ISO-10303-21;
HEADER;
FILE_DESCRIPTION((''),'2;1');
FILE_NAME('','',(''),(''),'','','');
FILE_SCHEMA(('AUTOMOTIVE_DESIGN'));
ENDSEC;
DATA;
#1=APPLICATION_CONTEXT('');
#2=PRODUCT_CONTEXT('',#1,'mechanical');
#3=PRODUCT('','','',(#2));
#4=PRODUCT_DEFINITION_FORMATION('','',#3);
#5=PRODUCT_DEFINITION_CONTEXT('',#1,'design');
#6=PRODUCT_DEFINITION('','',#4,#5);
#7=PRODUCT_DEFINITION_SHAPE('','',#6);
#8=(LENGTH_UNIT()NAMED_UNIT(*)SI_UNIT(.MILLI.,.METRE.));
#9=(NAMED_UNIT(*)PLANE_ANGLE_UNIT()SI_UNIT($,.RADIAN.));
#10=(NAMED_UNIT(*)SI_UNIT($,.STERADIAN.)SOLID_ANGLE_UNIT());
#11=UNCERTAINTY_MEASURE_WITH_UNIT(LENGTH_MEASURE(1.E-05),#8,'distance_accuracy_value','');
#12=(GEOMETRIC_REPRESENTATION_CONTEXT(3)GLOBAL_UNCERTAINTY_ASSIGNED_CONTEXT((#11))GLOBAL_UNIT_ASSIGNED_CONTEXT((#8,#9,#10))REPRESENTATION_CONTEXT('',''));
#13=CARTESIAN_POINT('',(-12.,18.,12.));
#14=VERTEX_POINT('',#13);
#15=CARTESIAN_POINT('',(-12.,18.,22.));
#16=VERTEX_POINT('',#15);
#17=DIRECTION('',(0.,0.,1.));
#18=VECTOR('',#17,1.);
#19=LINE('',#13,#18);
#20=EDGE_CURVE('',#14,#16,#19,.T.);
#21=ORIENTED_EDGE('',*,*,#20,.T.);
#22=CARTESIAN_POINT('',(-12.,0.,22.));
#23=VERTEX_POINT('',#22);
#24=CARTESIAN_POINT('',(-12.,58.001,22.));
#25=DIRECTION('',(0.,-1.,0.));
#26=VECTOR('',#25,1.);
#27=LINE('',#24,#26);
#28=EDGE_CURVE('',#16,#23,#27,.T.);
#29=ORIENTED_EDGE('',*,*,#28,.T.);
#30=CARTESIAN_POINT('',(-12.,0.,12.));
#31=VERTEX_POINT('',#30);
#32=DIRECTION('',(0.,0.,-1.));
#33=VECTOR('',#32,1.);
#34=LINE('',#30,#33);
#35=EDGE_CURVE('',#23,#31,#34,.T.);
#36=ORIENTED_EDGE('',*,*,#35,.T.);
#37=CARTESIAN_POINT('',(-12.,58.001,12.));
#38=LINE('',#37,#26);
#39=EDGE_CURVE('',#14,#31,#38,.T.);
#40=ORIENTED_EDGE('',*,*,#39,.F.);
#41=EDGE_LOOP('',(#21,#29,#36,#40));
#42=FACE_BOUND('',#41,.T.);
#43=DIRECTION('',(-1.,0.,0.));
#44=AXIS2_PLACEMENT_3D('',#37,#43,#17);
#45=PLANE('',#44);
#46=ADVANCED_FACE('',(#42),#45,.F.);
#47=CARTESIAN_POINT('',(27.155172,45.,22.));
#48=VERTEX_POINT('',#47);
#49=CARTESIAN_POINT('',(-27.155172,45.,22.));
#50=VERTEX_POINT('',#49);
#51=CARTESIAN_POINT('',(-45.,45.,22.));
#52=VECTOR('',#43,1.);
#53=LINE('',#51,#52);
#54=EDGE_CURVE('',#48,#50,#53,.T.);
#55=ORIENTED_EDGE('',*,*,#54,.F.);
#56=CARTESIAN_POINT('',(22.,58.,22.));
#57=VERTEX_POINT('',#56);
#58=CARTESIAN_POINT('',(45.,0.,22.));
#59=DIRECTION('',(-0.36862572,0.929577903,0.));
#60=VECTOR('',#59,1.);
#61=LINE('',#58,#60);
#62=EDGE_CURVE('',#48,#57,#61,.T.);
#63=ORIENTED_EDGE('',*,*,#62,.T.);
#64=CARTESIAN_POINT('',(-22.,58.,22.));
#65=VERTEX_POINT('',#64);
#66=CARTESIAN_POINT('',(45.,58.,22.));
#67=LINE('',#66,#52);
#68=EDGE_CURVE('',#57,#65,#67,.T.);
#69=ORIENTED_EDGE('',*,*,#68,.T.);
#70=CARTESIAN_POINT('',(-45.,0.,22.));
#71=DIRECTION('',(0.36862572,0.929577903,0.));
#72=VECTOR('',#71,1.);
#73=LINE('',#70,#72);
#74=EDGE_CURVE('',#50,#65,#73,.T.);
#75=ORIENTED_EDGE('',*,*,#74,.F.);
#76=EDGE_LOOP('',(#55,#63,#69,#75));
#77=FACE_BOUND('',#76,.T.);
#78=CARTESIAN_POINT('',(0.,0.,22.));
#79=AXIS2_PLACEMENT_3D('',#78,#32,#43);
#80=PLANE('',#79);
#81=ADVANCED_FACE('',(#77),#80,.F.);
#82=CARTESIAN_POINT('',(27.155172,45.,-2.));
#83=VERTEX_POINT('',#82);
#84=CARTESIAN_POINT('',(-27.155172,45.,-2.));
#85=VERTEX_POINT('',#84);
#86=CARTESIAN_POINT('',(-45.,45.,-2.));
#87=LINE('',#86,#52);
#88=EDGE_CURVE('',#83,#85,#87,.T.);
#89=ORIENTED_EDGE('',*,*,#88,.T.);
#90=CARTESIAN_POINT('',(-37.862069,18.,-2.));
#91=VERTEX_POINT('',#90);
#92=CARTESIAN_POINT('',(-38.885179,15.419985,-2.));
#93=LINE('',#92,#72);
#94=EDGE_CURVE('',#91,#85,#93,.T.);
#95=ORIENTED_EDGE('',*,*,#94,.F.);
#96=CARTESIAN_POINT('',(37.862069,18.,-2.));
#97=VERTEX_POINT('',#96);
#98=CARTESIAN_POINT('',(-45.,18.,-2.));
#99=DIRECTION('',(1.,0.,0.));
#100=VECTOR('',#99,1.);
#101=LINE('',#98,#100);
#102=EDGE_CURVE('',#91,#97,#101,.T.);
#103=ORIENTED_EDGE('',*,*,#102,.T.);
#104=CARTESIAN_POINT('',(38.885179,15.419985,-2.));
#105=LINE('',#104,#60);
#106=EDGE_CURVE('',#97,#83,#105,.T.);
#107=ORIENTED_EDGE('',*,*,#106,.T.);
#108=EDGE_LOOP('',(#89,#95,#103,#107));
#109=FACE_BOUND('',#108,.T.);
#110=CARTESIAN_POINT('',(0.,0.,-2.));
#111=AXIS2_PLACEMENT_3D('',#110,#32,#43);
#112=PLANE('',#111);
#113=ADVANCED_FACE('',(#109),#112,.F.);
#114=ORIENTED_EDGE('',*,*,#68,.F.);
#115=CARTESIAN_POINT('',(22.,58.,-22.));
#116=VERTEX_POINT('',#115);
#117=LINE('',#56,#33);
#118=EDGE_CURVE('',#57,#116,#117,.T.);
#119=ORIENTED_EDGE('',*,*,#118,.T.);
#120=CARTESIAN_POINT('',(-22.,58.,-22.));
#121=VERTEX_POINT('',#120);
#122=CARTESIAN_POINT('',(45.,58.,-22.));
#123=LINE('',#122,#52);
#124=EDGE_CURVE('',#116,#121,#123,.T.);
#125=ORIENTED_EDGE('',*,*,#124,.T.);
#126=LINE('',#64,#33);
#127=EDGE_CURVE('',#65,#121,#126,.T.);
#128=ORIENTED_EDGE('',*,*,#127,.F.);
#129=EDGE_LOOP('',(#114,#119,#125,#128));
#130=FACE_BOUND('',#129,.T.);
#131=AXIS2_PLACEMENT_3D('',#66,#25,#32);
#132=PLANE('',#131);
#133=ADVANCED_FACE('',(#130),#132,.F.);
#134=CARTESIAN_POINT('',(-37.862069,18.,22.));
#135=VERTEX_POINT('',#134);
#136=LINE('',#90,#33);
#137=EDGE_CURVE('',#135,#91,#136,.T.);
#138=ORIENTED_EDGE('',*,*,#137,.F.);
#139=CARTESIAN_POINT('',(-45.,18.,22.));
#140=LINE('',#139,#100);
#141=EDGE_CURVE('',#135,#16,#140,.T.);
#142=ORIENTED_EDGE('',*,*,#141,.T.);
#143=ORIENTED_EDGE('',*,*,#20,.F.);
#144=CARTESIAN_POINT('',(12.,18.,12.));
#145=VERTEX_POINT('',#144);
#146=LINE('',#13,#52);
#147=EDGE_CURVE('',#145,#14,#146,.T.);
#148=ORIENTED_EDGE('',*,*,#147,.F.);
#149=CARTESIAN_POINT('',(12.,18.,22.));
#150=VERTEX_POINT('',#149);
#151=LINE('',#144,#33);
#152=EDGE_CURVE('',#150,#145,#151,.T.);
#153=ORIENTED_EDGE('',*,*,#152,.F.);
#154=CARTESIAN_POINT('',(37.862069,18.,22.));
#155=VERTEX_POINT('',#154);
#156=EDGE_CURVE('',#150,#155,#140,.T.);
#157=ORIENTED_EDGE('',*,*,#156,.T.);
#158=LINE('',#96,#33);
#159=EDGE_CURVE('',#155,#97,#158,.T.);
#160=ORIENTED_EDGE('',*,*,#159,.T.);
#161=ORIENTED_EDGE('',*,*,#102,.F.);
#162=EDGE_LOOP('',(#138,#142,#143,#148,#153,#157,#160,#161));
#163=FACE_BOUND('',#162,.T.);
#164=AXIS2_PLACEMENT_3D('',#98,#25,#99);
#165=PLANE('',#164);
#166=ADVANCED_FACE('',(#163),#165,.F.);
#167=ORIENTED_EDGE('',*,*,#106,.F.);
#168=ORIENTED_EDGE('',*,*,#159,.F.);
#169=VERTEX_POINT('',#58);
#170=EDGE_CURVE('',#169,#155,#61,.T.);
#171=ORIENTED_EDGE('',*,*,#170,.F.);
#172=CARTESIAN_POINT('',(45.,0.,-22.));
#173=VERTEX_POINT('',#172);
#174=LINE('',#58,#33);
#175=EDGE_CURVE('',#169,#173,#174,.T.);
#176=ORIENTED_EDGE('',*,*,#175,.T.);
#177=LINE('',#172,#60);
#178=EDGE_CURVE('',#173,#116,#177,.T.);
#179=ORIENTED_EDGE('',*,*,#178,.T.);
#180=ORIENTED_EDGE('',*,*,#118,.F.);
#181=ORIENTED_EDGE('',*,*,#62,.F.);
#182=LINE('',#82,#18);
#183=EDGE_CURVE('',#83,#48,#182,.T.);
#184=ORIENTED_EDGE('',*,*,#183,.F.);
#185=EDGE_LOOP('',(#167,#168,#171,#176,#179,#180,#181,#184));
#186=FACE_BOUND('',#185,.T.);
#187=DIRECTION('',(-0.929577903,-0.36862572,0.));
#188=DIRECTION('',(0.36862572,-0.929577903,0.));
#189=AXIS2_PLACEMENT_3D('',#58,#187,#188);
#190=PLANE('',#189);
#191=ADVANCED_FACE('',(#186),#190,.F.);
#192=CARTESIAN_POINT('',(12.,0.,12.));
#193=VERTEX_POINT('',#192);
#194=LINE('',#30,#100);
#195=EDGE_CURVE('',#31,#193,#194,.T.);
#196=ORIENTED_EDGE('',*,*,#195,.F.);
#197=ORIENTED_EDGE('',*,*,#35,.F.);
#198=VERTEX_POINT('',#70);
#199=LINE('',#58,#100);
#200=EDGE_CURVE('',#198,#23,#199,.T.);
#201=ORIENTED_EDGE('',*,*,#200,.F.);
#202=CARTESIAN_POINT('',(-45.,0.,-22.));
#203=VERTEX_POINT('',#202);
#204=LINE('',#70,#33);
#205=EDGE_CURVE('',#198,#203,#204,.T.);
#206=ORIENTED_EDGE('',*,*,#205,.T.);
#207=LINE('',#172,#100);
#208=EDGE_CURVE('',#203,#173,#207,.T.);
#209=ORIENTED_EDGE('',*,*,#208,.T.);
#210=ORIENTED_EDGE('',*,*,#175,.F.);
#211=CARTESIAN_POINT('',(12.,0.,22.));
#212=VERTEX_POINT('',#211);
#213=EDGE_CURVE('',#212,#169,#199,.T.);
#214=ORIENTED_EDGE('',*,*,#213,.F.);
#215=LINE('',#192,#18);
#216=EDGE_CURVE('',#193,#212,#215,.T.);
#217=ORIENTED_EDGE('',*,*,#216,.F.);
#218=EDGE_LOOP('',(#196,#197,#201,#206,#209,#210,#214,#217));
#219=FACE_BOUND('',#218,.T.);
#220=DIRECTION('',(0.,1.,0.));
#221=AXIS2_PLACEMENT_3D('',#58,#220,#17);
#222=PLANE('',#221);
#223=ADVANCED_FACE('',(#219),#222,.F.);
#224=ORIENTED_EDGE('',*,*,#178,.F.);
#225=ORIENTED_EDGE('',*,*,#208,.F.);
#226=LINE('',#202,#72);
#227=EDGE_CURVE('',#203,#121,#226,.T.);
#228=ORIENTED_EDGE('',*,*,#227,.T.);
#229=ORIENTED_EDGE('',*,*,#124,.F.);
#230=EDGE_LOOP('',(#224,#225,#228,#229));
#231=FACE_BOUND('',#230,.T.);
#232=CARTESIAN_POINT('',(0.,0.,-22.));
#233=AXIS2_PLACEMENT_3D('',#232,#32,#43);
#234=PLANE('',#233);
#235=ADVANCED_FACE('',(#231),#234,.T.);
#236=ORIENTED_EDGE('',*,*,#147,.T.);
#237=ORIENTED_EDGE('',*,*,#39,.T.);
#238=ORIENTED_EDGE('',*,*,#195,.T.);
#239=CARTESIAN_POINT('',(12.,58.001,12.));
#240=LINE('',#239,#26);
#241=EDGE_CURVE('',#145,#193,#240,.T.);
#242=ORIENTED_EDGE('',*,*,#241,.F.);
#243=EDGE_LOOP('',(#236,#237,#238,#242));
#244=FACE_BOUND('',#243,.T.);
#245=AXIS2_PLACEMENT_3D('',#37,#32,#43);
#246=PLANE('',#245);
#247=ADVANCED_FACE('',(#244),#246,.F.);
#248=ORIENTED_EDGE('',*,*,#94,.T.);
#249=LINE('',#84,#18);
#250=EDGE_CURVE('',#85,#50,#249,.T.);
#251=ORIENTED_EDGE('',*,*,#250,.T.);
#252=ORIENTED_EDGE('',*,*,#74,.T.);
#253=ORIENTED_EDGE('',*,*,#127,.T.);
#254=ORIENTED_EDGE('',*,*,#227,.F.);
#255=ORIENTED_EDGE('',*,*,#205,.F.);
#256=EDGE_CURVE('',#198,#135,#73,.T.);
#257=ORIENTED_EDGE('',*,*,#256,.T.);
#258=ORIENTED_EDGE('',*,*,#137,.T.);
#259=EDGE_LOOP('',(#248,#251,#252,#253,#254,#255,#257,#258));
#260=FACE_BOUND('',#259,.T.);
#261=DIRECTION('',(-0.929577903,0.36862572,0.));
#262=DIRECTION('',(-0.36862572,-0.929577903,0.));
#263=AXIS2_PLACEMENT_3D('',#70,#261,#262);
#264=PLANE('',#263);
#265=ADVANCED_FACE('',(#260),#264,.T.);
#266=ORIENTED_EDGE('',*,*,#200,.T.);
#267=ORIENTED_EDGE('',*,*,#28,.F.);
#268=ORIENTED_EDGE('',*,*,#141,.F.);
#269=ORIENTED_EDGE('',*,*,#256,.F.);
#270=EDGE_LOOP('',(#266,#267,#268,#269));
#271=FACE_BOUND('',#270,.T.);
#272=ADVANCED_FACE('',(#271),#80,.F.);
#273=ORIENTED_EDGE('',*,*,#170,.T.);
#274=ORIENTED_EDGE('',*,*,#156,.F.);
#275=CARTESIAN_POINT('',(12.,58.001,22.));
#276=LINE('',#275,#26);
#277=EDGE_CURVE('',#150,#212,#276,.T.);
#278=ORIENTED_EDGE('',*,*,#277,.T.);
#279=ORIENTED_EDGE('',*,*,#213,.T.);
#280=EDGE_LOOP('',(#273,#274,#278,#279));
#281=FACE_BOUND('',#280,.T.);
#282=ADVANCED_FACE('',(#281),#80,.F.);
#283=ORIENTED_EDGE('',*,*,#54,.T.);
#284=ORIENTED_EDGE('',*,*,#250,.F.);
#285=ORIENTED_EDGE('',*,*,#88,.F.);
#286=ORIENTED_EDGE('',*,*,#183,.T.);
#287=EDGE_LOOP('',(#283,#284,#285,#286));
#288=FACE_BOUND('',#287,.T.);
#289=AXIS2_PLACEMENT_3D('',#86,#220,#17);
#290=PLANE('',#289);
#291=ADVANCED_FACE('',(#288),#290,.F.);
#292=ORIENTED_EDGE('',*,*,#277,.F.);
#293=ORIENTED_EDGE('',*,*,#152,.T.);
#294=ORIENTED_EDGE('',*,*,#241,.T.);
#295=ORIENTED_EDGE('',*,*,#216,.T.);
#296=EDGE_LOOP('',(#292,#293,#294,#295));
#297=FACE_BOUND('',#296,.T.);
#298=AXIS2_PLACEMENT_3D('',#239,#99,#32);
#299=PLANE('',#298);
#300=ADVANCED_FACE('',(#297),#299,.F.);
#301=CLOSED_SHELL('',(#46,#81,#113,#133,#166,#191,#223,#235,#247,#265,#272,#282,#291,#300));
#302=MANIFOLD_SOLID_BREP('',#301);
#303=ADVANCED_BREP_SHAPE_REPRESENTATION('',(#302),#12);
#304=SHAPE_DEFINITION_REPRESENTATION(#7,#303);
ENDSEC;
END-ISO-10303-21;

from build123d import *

# Parameters (mm, degrees)
SKETCH1_W           = 90
SKETCH1_H           = 58
BOSS_EXTRUDE1_DEPTH = 22
SKETCH2_W           = 90
SKETCH2_H           = 27
CUT_EXTRUDE1_DEPTH  = 24
CUT_EXTRUDE2_DEPTH  = 86.586213843
CUT_EXTRUDE3_REACH  = 78.636
SKETCH4_W           = 24
SKETCH4_H           = 10


with BuildPart() as part:
    # Sketch1 → Boss-Extrude1 (new, symmetric)
    with BuildSketch(Plane.XY):
        with Locations((0, 29)):
            Rectangle(SKETCH1_W, SKETCH1_H)
    extrude(amount=BOSS_EXTRUDE1_DEPTH, both=True)

    # Sketch2 → Cut-Extrude1 (cut)
    with BuildSketch(Plane.XY.offset(22)):
        with Locations((0, 31.5)):
            Rectangle(SKETCH2_W, SKETCH2_H)
    extrude(amount=-CUT_EXTRUDE1_DEPTH, mode=Mode.SUBTRACT)

    # Sketch3 → Cut-Extrude2 (cut, through all)
    with BuildSketch(Plane(origin=(0, 0, -22), x_dir=(-1, 0, 0), z_dir=(0, 0, -1))):
        Polygon((-45, 58), (-45, 0), (-22, 58), align=None)
    cut_extrude2 = extrude(amount=-CUT_EXTRUDE2_DEPTH, mode=Mode.SUBTRACT)

    # Mirror1: Cut-Extrude2 across plane
    add(cut_extrude2.mirror(Plane(origin=(0, 0, 0), x_dir=(0, 0, 1), z_dir=(1, 0, 0))), mode=Mode.SUBTRACT)

    # Sketch4 → Cut-Extrude3 (cut, up to next)
    with BuildSketch(Plane.XZ, mode=Mode.PRIVATE) as cut_extrude3_sk1:
        with Locations((0, 17)):
            Rectangle(SKETCH4_W, SKETCH4_H)
    cut_extrude3_tool1 = extrude(cut_extrude3_sk1.sketch, amount=-CUT_EXTRUDE3_REACH, mode=Mode.PRIVATE) & part.part
    add(cut_extrude3_tool1.solids().sort_by_distance((0, 0, 17))[0], mode=Mode.SUBTRACT)


solid = part.part
